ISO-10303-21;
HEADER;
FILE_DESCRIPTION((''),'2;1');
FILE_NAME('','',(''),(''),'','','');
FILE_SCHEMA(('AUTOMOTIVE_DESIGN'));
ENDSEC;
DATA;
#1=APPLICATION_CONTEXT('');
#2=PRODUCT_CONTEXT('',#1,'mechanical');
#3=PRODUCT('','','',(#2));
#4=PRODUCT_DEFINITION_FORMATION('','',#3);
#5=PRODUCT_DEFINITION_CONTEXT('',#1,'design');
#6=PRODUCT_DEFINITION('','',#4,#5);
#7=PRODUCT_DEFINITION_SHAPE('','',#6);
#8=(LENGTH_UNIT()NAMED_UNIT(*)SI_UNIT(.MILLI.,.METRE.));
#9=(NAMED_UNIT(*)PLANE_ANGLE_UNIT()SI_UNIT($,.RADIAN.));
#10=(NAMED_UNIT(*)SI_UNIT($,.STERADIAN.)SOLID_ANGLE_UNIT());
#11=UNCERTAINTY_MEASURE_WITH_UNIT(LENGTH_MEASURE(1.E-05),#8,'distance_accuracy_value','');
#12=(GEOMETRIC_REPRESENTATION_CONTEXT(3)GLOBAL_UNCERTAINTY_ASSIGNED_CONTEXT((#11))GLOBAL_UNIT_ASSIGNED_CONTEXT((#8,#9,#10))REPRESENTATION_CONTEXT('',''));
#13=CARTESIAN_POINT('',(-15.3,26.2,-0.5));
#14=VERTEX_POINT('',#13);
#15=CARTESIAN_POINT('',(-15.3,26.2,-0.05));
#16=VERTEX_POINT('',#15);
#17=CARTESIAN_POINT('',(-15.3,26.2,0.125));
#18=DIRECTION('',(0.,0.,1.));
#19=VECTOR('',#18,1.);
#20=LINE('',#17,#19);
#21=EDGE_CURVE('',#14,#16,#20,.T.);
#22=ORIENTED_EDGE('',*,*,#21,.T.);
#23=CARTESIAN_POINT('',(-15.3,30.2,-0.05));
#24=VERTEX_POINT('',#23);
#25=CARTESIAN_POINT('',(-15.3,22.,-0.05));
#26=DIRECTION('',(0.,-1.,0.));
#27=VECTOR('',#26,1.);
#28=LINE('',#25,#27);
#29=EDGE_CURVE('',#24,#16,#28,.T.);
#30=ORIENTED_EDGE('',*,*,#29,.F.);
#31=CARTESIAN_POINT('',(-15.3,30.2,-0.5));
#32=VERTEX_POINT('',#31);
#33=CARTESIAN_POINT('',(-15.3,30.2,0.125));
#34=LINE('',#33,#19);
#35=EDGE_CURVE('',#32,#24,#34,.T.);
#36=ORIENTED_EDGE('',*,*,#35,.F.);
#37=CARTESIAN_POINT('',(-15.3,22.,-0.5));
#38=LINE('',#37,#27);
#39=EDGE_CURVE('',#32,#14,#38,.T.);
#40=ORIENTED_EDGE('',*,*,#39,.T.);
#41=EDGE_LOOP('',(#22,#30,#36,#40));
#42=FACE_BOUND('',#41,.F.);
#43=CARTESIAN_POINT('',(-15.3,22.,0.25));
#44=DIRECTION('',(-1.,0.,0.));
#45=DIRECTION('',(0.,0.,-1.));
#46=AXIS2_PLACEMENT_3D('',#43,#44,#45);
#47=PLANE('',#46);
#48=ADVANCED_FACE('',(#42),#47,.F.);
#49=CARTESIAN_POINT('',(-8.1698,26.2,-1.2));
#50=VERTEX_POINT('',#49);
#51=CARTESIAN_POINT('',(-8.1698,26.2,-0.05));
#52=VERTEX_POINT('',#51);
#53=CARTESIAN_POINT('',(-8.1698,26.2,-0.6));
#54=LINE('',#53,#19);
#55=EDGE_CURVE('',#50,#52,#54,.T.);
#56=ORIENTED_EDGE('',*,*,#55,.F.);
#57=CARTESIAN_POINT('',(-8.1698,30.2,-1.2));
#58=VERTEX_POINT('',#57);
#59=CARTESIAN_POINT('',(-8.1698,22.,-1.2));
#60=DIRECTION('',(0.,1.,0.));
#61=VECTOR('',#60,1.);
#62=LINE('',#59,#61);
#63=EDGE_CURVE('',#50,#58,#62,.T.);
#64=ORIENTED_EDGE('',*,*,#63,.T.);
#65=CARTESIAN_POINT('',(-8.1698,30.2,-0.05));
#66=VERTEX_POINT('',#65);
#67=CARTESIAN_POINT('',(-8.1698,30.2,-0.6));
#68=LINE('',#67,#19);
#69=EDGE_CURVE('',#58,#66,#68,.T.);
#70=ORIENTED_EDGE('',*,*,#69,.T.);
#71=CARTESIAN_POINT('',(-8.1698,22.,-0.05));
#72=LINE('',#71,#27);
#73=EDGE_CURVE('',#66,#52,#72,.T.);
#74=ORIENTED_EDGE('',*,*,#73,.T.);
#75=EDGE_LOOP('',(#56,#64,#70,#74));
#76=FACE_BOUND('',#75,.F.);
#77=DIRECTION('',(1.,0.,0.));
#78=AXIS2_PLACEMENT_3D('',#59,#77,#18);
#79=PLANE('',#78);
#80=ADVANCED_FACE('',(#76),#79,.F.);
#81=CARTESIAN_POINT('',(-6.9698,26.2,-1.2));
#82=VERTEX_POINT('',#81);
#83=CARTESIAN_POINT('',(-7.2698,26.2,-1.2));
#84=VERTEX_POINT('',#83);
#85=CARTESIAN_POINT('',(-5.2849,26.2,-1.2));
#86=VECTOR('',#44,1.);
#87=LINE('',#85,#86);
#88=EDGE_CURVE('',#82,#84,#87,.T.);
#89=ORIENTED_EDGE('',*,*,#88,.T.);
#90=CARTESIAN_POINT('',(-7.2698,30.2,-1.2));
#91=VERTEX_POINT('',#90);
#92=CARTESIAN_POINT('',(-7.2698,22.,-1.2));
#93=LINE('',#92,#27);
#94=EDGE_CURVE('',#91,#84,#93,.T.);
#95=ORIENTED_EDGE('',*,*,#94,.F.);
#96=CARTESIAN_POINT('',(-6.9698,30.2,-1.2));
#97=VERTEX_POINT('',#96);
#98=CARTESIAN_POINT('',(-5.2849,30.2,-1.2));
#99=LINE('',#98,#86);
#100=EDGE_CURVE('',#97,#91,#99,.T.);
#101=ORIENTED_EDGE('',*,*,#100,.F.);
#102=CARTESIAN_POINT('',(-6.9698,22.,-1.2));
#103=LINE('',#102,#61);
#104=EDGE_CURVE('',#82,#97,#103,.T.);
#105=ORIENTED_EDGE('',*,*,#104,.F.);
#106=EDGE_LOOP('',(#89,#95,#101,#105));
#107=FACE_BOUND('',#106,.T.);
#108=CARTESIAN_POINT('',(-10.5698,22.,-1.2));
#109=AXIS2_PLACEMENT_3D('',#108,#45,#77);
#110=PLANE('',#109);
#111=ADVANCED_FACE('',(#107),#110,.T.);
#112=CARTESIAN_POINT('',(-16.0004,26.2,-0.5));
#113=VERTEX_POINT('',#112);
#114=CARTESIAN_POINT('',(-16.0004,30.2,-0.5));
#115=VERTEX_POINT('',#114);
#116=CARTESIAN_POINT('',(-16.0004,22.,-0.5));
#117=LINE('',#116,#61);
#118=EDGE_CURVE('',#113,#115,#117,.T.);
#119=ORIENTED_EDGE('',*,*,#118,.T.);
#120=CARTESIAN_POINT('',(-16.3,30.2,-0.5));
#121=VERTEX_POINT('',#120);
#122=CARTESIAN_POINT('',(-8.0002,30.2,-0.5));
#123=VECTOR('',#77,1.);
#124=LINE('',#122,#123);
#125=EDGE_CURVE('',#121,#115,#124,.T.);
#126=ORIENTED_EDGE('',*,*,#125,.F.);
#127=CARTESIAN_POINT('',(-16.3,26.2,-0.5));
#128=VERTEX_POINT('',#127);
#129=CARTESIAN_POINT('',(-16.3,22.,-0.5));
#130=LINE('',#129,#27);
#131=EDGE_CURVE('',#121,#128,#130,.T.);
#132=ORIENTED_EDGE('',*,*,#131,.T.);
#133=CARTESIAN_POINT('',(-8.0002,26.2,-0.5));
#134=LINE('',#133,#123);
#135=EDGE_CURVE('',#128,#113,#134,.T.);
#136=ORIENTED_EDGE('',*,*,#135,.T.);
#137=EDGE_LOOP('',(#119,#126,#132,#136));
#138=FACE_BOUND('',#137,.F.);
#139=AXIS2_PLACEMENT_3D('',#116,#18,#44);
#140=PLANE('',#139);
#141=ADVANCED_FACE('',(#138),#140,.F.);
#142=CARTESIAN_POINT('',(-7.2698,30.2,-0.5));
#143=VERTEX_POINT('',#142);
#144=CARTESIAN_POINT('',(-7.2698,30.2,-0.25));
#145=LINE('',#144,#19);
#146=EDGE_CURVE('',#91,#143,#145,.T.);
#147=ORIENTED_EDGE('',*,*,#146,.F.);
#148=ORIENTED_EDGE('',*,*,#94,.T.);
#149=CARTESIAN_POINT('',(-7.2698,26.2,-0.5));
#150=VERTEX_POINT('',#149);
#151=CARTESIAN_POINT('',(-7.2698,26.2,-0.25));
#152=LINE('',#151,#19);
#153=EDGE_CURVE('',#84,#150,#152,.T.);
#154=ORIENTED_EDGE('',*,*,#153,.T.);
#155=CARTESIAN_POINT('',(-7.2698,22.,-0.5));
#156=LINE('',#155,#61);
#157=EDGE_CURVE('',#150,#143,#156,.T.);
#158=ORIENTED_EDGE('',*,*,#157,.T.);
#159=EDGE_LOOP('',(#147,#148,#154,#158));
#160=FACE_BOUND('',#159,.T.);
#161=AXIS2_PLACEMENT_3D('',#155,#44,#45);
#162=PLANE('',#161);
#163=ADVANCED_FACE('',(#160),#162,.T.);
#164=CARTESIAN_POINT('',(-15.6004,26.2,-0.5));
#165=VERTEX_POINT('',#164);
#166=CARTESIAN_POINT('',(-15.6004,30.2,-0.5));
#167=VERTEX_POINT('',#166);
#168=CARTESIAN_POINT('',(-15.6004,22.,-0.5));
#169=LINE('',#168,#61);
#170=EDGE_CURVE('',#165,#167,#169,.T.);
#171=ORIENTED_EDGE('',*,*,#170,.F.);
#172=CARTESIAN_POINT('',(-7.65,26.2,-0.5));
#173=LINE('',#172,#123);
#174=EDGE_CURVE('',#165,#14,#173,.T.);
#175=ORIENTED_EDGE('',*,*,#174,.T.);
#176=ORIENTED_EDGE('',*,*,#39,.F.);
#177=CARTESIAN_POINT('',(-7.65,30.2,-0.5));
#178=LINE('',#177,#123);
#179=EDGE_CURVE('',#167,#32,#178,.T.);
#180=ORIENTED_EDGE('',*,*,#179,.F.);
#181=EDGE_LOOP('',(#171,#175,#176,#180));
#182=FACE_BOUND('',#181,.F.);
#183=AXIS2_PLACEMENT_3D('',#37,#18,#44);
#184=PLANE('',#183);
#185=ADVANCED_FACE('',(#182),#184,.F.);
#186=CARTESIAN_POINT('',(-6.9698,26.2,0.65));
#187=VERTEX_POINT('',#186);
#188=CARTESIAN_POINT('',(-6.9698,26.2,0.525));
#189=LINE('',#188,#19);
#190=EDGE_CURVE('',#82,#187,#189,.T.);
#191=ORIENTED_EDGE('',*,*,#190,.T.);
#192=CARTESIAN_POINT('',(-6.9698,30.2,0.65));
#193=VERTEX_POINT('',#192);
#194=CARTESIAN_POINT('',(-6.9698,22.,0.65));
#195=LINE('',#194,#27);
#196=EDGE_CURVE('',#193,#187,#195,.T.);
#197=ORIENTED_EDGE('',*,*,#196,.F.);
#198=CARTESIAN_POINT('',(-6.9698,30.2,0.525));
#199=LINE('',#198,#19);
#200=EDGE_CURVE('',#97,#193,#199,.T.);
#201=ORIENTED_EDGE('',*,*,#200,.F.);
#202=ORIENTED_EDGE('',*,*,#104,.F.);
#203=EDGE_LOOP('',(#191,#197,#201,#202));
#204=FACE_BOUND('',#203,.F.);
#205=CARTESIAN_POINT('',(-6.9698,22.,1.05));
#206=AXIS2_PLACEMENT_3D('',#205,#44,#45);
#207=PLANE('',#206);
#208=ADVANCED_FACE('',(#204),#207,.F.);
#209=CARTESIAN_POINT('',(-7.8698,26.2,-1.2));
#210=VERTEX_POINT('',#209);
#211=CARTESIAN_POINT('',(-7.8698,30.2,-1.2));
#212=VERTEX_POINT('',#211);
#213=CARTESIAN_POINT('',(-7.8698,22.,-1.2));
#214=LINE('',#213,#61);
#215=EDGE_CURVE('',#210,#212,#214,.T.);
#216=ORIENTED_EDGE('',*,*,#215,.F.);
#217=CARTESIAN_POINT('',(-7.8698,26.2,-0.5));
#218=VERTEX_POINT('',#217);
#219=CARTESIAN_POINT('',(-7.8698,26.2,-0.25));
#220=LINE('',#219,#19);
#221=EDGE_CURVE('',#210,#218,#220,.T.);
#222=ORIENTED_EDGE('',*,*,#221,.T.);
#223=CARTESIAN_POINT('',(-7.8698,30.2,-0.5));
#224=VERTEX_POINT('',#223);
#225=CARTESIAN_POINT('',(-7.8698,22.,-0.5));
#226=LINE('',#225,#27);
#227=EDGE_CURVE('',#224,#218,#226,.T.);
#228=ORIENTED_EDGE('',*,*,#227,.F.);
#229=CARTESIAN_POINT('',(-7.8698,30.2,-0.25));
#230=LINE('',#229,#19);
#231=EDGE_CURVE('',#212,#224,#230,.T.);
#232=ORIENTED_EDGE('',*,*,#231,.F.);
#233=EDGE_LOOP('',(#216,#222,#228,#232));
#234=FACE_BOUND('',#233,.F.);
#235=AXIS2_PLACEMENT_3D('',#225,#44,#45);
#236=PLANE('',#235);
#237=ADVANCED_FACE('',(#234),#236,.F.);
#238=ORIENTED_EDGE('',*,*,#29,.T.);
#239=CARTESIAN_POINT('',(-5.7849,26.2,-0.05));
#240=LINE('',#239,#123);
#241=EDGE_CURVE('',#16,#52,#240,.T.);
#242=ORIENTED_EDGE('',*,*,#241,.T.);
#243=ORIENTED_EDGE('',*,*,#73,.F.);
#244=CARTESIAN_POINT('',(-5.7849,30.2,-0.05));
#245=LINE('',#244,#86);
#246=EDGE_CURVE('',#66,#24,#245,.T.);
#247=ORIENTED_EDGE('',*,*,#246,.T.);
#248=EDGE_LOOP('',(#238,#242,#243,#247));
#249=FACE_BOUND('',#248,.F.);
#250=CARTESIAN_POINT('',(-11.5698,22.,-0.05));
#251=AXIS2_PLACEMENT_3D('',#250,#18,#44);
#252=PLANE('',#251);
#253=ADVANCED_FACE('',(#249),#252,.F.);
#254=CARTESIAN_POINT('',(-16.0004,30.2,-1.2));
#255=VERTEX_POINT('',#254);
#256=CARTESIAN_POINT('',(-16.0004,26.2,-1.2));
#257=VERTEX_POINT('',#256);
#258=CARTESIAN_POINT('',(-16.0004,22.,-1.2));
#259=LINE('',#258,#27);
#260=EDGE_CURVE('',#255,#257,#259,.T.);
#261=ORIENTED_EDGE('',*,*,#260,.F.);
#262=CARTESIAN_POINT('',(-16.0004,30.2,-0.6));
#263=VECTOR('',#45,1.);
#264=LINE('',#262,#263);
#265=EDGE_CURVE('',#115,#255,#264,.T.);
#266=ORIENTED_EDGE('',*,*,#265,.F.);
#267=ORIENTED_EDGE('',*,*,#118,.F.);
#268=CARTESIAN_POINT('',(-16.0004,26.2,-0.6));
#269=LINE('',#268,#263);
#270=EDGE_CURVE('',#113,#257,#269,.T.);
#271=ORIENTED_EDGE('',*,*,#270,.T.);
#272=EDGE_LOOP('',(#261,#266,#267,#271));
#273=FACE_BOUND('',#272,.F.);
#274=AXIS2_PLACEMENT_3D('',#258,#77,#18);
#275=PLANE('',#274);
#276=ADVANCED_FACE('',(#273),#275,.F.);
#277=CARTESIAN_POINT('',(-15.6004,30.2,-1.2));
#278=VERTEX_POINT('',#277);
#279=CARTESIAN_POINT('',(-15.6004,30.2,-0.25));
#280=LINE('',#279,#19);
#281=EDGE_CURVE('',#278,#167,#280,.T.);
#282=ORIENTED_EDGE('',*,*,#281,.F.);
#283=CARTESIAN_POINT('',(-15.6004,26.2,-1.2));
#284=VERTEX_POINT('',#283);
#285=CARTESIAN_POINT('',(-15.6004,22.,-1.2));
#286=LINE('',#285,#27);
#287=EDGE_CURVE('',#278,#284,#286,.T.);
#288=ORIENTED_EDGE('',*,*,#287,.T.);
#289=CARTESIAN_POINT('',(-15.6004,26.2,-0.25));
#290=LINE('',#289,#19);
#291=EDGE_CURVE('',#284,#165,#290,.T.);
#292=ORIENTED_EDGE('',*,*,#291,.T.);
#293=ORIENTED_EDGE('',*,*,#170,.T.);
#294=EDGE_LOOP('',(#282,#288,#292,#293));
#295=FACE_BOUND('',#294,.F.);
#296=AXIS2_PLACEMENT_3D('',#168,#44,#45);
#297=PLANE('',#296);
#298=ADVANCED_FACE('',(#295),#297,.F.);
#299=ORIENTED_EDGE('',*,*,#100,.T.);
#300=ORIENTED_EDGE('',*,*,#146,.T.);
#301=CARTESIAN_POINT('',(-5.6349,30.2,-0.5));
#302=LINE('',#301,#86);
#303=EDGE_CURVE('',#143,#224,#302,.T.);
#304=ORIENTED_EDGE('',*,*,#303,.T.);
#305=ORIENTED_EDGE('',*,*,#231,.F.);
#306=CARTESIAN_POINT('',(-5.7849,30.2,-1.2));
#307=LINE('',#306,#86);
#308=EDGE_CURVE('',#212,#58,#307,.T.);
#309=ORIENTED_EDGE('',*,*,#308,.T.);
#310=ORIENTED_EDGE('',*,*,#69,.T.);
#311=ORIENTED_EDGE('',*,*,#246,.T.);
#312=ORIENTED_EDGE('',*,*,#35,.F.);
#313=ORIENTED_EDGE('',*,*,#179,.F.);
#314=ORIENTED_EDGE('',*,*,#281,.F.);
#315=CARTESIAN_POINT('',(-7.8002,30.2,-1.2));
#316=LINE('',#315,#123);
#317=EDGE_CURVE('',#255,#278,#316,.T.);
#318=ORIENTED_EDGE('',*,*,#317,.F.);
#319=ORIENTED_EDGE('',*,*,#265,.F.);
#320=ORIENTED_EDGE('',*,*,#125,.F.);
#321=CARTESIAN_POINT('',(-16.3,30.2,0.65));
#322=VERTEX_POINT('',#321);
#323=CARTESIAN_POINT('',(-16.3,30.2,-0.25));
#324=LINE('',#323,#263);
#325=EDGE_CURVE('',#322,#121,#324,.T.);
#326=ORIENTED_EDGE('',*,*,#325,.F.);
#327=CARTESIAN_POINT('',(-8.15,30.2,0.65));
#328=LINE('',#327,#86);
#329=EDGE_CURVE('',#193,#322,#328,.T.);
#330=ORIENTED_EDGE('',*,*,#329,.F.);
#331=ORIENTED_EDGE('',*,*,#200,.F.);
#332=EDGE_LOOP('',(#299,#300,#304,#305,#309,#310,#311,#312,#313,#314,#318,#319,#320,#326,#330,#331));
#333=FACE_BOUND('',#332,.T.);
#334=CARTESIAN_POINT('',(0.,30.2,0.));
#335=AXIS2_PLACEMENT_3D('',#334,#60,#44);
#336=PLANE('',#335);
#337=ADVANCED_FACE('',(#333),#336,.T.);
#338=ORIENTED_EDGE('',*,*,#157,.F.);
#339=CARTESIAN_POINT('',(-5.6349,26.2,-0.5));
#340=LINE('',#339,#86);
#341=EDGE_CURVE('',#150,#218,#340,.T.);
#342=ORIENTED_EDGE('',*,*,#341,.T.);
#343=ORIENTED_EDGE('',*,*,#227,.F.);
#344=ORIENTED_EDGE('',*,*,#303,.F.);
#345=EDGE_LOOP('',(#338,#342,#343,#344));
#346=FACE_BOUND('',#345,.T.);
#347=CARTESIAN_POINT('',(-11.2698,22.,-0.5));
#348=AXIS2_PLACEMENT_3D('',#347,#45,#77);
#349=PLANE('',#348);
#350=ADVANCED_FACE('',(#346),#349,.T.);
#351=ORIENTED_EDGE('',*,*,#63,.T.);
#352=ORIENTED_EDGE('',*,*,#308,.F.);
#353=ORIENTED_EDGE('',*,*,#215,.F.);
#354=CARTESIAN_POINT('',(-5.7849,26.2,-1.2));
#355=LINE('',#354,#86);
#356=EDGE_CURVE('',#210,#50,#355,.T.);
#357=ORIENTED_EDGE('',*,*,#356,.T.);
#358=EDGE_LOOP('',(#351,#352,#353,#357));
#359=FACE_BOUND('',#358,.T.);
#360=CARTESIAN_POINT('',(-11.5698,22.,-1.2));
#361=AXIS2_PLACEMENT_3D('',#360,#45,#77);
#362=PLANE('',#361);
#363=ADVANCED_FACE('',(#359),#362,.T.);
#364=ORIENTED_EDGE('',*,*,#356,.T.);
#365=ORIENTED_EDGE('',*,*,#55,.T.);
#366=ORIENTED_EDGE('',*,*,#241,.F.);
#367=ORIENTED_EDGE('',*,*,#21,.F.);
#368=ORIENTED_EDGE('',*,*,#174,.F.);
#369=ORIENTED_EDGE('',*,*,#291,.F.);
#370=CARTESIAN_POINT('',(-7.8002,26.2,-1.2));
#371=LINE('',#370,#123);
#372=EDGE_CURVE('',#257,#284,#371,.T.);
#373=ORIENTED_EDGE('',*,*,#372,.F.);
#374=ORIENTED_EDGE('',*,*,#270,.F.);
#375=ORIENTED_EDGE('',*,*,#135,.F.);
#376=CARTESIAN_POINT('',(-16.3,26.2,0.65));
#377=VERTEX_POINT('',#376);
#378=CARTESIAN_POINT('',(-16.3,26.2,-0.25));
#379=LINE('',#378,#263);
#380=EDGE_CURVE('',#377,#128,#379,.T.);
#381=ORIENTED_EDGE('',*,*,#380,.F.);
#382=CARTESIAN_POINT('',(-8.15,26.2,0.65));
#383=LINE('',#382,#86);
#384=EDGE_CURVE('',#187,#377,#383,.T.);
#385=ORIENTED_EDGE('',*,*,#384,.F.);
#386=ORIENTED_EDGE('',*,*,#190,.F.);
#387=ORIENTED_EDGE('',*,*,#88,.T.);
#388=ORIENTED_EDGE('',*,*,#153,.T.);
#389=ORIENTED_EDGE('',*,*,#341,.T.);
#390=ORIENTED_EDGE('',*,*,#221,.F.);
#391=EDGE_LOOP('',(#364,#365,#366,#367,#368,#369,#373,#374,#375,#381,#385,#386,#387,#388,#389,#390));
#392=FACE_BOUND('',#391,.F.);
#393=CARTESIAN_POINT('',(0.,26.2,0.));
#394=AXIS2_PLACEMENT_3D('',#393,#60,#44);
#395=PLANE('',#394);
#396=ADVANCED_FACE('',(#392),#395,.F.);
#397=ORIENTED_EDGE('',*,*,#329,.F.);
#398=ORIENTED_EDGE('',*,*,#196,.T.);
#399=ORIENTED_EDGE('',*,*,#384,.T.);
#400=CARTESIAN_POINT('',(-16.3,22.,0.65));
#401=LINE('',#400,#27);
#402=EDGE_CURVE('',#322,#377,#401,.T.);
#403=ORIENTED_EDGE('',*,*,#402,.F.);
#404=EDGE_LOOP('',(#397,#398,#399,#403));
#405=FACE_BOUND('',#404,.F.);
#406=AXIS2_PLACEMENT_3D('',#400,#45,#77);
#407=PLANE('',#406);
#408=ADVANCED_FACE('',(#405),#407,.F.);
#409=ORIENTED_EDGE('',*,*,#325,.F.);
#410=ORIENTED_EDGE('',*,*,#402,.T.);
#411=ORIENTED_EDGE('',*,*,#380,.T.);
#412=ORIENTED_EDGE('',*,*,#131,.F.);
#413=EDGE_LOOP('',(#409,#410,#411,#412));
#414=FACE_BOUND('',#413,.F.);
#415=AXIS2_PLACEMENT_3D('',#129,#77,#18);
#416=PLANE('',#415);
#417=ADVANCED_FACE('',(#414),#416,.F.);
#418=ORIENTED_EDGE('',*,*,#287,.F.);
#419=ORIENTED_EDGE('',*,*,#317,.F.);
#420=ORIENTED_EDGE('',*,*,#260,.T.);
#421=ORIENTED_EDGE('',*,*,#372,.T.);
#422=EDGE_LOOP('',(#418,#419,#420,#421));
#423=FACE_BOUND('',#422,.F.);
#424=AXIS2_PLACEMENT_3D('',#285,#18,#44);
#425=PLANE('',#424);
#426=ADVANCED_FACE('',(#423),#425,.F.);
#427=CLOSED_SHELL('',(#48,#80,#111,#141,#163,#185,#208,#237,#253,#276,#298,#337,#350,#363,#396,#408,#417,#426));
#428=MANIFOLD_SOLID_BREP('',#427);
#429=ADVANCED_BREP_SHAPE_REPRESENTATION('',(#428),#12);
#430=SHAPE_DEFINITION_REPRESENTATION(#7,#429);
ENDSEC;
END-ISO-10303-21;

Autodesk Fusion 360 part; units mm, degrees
sketch "Sketch1" plane through (0, 22, 0) normal (0, 1, 0) x (-1, 0, 0)
  line L0 (11.5698, 0.25) -> (15.3, 0.25)
  line L1 (15.3, 0.25) -> (15.3, -0.5)
  line L2 (15.3, -0.5) -> (15.6004, -0.5)
  line L3 (15.6004, -0.5) -> (15.6004, -1.2)
  line L4 (15.6004, -1.2) -> (16.0004, -1.2)
  line L5 (16.0004, -1.2) -> (16.0004, -0.5)
  line L6 (16.0004, -0.5) -> (16.3, -0.5)
  line L7 (16.3, -0.5) -> (16.3, 1.05)
  line L8 (16.3, 1.05) -> (5, 1.05)
  line L9 (11.5698, -1.2) -> (11.5698, 0.25)
  line L10 (11.5698, -0.6208) -> (11.2698, -0.6208) construction
  line L11 (11.2698, -0.5) -> (11.2698, -1.2)
  line L12 (11.2698, -0.5) -> (10.5698, -0.5)
  line L13 (10.5698, -0.5) -> (10.5698, -1.2)
  line L14 (10.5698, -0.678) -> (10.2698, -0.678) construction
  line L15 (10.2698, 1.05) -> (10.2698, -1.2)
  line L16 (10.2698, 1.05) -> (16.3, 1.05)
  line L17 (16.3, -0.5) -> (16.0004, -0.5)
  line L18 (16.0004, -1.2) -> (15.6004, -1.2)
  line L19 (15.6004, -0.5) -> (15.3, -0.5)
  line L20 (15.3, 0.25) -> (11.5698, 0.25)
  line L21 (11.5698, -1.2) -> (11.2698, -1.2)
  line L22 (11.5698, -1.2) -> (11.2698, -1.2)
  line L23 (11.2698, -0.5) -> (10.5698, -0.5)
  line L24 (10.5698, -1.2) -> (10.2698, -1.2)
  line L25 (10.2698, 1.05) -> (16.3, 1.05)
  line L26 (16.3, -0.5) -> (16.0004, -0.5)
  line L27 (16.0004, -1.2) -> (15.6004, -1.2)
  line L28 (15.6004, -0.5) -> (15.3, -0.5)
  line L29 (15.3, 0.25) -> (11.5698, 0.25)
  dimension "d14" = 0.3
  dimension "d15" = 0.7
  dimension "d16" = 0.3
extrude "Extrude1" add sketch "Sketch1" along normal blind 8.2 makes body 1
copy_body "Body->Comp1" bodies 1 removing the originals makes body 2 in component "Component"
move_face "OffsetFaces1" offset 0.3 1 faces at (-12.8132, 24.7333, 0.25) on bodies 2 in component "Component"
move_face "OffsetFaces2" offset -0.4 1 faces at (-12.2798, 27.4667, 1.05) on bodies 2 in component "Component"
move_face "OffsetFaces3" offset 3.3 1 faces at (-10.2698, 24.7333, 0.0333) on bodies 2 in component "Component"
move_face "OffsetFaces4" offset -3.3 1 faces at (-10.5698, 24.7333, -0.7333) on bodies 2 in component "Component"
move_face "OffsetFaces5" offset 3.3 1 faces at (-11.2698, 24.7333, -0.7333) on bodies 2 in component "Component"
move_face "OffsetFaces6" offset -3.3 1 faces at (-11.5698, 27.4667, -0.8167) on bodies 2 in component "Component"
move_face "OffsetFaces7" offset -4.2 1 faces at (-10.5132, 22, 0.4167) on bodies 2 in component "Component"
move_face "OffsetFaces8" offset -0.1 1 faces at (-8.2698, 28.8667, -0.4333) on bodies 2 in component "Component"
move_face "OffsetFaces9" offset 0.1 1 faces at (-7.9698, 27.5333, -0.7333) on bodies 2 in component "Component"
component "Component" placed x (1, 0, 0) y (0, 1, 0) z (0, 0, 1) at (0, 0, 0)
